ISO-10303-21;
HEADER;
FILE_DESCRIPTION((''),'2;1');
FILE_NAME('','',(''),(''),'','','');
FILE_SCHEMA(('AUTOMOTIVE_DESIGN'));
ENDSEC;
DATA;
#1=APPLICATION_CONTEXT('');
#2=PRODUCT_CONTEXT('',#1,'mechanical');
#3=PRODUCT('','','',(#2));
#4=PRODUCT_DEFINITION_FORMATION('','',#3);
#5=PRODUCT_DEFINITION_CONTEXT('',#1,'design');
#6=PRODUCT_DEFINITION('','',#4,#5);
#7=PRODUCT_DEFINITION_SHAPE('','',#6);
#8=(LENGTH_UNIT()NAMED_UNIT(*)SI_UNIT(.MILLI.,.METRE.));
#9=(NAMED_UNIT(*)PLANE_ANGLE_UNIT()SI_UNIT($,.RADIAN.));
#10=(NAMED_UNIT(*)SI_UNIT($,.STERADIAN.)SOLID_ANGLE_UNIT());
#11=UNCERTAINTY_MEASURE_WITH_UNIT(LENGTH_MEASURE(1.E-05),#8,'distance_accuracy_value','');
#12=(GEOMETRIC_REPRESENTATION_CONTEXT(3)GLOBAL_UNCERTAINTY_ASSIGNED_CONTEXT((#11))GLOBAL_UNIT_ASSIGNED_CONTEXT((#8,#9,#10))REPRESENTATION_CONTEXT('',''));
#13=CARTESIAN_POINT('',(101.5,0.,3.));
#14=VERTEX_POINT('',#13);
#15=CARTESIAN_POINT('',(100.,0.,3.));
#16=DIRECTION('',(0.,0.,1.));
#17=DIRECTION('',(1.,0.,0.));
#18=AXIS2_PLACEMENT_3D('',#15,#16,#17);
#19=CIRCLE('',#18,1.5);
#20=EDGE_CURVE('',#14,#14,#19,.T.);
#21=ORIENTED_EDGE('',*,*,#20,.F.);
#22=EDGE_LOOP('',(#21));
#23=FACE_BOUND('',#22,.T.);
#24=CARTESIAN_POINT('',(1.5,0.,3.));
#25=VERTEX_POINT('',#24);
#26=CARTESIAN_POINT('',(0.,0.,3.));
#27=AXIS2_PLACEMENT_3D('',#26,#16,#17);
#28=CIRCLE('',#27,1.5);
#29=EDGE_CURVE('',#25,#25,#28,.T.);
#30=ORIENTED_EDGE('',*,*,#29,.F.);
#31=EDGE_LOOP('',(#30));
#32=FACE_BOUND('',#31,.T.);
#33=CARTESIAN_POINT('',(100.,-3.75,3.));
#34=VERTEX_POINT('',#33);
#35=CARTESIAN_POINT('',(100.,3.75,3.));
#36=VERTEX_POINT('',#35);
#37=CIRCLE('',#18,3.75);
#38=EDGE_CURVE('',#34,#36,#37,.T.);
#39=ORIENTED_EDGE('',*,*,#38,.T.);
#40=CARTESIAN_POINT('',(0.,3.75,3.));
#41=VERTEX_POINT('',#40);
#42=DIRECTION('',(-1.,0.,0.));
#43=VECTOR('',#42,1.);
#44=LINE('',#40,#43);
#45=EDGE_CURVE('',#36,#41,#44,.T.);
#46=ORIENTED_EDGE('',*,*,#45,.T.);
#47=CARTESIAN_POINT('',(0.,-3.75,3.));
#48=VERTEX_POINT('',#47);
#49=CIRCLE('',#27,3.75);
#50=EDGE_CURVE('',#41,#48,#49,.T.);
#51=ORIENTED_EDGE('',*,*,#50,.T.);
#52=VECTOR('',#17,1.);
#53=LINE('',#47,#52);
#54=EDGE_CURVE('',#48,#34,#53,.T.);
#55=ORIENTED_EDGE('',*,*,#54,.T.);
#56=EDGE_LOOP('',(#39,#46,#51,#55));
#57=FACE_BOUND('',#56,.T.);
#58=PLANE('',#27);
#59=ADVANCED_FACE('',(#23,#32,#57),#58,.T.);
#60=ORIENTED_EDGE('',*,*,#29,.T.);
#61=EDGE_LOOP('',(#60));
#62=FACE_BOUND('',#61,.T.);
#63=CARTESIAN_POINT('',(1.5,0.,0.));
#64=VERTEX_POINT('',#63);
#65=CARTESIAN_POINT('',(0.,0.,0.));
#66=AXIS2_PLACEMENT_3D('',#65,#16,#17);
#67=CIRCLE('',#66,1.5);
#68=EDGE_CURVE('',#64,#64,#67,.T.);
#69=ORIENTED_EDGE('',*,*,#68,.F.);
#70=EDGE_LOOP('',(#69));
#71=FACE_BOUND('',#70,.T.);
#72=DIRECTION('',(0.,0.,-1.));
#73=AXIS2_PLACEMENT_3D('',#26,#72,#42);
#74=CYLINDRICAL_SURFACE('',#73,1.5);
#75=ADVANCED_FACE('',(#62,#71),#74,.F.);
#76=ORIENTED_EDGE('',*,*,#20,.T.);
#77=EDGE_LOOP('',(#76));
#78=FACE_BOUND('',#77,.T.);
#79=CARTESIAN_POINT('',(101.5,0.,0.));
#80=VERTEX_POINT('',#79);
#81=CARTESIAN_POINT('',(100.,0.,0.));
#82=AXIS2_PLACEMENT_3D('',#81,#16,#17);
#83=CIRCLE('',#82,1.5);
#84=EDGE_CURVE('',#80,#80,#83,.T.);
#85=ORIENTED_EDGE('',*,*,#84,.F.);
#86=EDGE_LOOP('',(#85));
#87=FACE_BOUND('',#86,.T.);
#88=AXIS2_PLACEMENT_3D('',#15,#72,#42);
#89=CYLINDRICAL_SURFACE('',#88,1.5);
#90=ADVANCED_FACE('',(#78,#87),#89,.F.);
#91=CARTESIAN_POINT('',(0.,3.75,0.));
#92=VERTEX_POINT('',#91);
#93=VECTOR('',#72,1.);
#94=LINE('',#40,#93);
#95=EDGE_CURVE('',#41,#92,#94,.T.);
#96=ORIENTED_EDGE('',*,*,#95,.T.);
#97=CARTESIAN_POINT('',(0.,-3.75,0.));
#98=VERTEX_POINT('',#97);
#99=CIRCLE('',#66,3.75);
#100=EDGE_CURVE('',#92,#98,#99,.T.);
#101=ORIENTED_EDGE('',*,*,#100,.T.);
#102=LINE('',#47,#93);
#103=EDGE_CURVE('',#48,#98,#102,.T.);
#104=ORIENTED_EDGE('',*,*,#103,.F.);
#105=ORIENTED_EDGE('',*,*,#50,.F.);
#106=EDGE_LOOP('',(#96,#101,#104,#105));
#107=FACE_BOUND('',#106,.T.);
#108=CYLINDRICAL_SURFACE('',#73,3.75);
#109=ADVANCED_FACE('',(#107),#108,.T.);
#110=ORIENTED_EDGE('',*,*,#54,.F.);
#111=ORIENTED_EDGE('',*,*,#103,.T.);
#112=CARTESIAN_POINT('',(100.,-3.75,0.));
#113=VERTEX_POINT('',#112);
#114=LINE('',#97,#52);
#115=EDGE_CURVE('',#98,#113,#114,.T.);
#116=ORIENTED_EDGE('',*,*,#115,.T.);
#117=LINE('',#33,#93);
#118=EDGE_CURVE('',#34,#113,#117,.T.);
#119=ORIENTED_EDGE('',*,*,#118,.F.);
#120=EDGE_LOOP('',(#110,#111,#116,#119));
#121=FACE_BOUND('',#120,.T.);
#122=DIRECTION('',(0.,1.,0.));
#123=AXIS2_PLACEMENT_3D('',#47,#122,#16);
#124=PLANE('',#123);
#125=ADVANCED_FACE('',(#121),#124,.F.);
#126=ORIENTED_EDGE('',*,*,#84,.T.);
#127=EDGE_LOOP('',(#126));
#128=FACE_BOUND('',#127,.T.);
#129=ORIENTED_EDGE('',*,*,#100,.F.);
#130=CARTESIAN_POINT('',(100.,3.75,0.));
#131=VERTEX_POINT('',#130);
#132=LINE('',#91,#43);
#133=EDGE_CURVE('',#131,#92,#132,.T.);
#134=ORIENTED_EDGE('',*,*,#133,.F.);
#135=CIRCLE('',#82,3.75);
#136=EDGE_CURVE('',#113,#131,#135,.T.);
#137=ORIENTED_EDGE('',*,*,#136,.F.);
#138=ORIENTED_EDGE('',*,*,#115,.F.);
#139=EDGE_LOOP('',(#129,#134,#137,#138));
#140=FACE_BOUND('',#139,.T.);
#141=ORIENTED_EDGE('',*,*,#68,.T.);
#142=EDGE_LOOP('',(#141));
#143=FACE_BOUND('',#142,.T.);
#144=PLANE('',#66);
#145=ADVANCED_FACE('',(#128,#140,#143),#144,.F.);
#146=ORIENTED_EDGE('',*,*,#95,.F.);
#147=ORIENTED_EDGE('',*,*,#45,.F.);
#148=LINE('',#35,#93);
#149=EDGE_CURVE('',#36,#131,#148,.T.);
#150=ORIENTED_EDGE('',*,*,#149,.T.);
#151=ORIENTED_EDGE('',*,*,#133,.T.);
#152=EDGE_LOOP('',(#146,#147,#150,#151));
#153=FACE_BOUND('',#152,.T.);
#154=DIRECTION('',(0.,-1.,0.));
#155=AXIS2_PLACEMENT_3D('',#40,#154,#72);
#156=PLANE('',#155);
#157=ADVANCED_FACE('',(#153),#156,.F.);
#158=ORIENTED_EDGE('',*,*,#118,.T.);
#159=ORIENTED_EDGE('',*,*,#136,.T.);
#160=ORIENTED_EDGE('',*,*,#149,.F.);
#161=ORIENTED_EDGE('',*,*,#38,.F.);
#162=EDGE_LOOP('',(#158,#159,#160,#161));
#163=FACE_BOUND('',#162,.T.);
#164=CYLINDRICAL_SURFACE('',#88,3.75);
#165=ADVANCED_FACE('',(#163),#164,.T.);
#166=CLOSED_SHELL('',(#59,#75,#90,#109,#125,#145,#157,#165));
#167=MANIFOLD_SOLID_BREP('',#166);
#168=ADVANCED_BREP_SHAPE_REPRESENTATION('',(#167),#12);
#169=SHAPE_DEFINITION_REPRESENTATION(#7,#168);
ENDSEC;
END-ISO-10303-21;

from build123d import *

# Parameters (mm, degrees)
SKETCH2_R           = 3.75
SKETCH2_R_2         = 1.5
BOSS_EXTRUDE1_DEPTH = 3


with BuildPart() as part:
    # Sketch2 → Boss-Extrude1 (new body)
    # profile 1 of 3: a face of its own
    with BuildSketch(Plane.XY):
        Circle(SKETCH2_R)
        Circle(SKETCH2_R_2, mode=Mode.SUBTRACT)
    # profile 2 of 3: a face of its own
    with BuildSketch(Plane.XY):
        with BuildLine():
            ThreePointArc((3.75, 0), (2.651650429, -2.651650429), (0, -3.75))
            Line((0, -3.75), (100, -3.75))
            ThreePointArc((100, -3.75), (96.25, 0), (100, 3.75))
            Line((100, 3.75), (0, 3.75))
            ThreePointArc((0, 3.75), (2.651650429, 2.651650429), (3.75, 0))
        make_face()
    # profile 3 of 3: a face of its own
    with BuildSketch(Plane.XY):
        with Locations((100, 0)):
            Circle(SKETCH2_R)
        with Locations((100, 0)):
            Circle(SKETCH2_R_2, mode=Mode.SUBTRACT)
    extrude(amount=BOSS_EXTRUDE1_DEPTH)


solid = part.part
